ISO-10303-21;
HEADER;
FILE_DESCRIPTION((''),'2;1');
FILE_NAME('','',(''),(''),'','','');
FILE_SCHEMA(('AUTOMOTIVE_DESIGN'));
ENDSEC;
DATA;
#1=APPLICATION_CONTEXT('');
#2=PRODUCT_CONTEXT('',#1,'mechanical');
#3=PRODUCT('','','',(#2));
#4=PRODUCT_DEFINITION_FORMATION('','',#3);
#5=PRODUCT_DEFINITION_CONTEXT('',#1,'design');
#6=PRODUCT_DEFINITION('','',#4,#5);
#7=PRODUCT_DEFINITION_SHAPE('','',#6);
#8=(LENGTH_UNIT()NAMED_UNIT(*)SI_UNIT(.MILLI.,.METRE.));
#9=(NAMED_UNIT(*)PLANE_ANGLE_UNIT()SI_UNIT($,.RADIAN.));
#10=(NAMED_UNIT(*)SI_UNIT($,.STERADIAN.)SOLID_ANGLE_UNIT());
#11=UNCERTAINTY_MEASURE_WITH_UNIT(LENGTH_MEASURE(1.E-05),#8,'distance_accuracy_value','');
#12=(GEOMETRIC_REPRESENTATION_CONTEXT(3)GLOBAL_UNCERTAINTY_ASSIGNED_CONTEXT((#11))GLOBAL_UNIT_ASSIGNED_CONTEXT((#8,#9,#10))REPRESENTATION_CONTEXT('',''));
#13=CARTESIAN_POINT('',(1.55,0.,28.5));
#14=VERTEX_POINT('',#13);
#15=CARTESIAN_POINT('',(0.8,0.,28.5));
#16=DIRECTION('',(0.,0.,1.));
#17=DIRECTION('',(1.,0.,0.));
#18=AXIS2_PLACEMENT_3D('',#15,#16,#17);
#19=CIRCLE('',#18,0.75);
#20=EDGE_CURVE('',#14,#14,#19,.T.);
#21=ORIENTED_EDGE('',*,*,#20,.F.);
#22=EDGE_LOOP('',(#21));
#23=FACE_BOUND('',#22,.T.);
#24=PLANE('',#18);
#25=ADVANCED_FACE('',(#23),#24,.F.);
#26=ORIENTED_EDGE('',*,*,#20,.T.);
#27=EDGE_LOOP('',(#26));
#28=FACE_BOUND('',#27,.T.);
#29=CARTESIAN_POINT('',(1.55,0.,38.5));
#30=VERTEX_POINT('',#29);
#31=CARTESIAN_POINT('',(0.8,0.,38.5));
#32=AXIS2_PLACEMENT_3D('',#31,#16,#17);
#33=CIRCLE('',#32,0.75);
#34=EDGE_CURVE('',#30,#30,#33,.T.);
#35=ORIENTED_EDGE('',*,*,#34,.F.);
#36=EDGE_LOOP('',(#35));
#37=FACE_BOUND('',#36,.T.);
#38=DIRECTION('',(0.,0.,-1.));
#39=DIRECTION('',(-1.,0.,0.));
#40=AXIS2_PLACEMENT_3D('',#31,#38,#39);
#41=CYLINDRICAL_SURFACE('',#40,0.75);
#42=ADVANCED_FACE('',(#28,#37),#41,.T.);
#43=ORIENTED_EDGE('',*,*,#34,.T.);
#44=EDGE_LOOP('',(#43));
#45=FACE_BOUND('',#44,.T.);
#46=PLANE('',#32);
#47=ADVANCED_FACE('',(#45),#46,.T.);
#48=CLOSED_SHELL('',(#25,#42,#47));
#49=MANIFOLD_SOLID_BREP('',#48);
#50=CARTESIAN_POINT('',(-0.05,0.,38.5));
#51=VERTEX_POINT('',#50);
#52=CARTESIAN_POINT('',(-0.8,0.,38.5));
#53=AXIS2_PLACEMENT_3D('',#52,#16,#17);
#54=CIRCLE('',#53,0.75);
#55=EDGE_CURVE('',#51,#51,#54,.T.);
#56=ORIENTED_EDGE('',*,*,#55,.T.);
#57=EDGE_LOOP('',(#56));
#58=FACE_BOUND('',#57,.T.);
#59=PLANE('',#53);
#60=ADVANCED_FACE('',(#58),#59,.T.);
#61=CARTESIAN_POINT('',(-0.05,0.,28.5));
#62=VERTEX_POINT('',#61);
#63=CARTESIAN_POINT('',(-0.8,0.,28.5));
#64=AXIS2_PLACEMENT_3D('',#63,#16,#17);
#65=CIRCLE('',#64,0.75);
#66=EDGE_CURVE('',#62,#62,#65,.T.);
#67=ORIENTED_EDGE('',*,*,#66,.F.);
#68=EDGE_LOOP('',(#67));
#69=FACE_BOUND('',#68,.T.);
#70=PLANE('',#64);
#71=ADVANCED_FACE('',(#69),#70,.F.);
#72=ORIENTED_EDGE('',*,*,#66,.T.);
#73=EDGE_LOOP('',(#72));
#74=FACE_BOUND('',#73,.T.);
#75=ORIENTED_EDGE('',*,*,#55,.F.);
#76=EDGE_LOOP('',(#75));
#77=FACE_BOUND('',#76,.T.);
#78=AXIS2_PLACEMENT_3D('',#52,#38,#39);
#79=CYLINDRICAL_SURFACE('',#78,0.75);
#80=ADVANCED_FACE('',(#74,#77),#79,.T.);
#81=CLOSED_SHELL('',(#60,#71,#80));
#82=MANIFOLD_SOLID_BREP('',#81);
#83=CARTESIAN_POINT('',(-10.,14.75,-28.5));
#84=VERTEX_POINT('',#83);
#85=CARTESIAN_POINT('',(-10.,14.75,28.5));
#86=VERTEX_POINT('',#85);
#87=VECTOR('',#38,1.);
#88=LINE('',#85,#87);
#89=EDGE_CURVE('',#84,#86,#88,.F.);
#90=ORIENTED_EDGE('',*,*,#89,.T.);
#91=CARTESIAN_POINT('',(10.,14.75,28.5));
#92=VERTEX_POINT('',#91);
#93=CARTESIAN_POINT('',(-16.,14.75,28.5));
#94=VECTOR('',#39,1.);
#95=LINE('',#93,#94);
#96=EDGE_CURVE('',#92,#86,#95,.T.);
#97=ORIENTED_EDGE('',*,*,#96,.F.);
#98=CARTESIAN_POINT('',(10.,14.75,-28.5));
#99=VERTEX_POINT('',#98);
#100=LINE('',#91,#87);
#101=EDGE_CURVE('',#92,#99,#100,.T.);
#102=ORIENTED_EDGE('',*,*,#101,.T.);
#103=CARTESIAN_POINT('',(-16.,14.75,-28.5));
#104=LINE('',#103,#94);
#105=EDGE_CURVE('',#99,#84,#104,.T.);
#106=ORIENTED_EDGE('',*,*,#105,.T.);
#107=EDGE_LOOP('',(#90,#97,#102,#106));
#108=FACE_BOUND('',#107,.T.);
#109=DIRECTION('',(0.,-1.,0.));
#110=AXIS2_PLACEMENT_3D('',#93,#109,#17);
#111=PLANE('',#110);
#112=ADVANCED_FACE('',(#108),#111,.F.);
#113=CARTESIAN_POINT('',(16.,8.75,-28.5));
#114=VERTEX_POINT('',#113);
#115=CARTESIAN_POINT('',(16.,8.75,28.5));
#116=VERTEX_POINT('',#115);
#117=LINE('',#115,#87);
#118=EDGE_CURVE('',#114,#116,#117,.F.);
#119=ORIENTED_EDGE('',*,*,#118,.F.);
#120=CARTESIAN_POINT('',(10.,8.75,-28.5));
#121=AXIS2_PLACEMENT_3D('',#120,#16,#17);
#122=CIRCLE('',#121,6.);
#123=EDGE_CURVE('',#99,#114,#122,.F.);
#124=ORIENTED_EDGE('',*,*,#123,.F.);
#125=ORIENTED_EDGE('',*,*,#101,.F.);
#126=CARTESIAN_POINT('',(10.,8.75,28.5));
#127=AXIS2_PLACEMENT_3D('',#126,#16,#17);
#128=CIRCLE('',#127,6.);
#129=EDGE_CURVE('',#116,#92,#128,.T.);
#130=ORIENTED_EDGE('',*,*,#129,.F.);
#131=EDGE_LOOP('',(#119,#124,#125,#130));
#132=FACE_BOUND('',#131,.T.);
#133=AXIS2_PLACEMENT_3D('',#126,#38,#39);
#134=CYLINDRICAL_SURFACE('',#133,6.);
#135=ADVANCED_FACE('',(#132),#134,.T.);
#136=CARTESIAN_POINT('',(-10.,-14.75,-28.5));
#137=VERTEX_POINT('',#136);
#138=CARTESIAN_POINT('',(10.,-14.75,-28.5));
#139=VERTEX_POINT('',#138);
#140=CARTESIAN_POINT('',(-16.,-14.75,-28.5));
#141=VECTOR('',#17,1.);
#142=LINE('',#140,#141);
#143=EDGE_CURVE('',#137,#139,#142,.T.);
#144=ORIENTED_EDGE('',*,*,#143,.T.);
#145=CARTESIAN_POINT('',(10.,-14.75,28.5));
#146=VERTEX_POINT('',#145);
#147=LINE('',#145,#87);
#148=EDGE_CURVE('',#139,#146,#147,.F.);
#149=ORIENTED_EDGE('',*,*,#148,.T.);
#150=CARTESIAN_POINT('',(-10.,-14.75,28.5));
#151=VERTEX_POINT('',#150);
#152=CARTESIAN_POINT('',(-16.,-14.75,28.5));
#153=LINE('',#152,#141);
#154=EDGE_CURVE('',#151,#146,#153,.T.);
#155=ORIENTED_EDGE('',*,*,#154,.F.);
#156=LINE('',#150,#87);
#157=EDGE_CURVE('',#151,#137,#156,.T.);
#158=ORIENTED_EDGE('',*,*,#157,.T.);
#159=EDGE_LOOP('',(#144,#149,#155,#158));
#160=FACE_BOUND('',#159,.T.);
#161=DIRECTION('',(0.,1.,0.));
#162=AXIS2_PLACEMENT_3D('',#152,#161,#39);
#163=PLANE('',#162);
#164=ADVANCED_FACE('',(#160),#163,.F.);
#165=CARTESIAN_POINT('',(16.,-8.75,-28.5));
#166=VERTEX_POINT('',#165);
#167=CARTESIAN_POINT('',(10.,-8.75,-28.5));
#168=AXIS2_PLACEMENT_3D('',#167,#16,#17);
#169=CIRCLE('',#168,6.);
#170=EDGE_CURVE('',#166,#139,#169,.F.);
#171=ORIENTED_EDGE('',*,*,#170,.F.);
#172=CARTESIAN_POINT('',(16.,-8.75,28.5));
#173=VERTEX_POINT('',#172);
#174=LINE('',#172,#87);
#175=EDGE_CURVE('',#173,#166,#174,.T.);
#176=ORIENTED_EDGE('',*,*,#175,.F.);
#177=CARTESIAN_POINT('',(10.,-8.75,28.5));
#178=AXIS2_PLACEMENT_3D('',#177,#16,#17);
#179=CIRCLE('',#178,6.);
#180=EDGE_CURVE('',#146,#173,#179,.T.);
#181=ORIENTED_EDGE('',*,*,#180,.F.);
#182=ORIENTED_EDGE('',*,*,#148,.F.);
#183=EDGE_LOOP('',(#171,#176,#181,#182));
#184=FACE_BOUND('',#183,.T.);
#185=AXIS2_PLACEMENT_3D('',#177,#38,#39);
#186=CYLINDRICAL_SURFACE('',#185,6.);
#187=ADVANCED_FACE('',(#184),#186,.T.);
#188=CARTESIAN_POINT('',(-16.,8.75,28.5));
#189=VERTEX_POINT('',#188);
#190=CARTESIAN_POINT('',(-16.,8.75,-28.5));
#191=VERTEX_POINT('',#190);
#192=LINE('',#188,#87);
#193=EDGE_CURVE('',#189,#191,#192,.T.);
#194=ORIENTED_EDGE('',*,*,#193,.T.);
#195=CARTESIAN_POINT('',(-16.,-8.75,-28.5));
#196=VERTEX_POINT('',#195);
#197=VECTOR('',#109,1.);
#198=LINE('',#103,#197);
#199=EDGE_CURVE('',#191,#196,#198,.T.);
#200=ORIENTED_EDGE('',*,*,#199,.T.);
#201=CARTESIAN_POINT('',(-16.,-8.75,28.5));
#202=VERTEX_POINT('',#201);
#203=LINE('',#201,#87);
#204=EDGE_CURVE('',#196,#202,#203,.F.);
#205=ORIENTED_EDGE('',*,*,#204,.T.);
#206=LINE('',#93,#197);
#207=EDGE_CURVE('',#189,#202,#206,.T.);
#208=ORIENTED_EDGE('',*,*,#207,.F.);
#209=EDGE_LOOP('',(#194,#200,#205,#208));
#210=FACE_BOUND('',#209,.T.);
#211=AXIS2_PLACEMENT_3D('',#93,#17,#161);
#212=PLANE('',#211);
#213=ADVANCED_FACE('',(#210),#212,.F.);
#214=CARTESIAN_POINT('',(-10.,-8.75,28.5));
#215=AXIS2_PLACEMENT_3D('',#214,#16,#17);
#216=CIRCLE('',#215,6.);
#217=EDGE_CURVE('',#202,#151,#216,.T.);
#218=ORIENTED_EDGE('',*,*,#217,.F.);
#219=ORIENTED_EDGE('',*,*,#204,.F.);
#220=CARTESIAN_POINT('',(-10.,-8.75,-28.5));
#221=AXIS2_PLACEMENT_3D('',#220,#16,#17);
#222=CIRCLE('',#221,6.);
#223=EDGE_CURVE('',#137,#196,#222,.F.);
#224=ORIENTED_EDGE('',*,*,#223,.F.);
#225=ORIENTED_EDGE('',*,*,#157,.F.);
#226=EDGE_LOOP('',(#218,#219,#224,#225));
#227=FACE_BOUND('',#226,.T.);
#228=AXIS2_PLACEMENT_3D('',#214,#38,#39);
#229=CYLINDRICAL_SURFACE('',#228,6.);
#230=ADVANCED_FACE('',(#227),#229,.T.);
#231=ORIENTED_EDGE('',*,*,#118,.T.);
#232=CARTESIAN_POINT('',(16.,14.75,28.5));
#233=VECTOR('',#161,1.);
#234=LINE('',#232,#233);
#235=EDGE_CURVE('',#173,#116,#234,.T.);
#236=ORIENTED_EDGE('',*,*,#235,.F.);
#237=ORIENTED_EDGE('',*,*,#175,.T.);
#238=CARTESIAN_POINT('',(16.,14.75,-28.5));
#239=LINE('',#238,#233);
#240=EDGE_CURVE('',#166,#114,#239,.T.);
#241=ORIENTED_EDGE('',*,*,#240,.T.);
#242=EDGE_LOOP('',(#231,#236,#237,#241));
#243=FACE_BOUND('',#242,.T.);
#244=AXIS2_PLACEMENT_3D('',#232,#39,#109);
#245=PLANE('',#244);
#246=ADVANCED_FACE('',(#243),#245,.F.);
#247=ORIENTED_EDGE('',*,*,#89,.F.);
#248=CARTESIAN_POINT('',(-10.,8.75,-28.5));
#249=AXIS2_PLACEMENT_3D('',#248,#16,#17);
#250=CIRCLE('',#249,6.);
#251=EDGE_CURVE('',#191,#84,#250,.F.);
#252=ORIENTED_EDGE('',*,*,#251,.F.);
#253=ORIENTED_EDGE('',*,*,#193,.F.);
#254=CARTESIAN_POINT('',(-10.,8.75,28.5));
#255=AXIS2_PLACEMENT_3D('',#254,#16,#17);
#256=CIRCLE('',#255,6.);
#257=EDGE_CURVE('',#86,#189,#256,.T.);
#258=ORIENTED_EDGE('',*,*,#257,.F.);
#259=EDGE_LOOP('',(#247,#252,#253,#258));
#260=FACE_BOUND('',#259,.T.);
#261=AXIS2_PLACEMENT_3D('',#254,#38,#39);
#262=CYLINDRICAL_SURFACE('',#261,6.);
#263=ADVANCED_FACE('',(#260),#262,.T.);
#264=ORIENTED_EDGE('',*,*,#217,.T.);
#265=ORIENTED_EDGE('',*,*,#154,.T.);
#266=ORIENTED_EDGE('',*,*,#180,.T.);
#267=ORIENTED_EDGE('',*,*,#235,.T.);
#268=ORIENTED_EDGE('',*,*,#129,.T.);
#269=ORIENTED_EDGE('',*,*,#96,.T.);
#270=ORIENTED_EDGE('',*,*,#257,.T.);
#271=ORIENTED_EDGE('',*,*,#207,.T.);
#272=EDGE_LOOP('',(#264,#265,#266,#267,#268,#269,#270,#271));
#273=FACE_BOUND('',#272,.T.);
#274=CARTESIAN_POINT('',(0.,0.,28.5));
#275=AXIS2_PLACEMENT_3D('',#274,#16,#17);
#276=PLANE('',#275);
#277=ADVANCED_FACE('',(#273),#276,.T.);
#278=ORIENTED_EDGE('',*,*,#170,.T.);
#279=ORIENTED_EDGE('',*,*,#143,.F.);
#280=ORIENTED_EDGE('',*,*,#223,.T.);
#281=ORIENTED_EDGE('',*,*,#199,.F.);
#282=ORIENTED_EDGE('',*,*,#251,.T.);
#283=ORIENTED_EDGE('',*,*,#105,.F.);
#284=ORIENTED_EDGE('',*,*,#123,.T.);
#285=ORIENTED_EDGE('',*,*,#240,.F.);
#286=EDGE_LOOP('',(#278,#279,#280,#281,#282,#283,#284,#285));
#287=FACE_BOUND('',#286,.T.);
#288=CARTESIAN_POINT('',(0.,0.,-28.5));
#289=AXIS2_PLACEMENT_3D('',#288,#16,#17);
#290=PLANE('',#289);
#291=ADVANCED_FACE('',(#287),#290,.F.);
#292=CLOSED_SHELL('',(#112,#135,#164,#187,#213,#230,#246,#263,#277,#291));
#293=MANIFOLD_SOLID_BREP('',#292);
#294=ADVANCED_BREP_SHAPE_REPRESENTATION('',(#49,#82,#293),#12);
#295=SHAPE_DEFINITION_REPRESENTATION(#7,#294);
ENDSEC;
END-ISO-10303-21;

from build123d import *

# Parameters (mm, degrees)
ESQUISSE1_W          = 32
ESQUISSE1_H          = 29.5
BOSS_EXTRU_1_DEPTH   = 28.5
CONG_1_R             = 6
ESQUISSE2_R          = 0.75
BOSS_EXTRU_2_DEPTH   = 10
BOSS_EXTRU_2_2_DEPTH = 10


with BuildPart() as part:
    # Esquisse1 → Boss.-Extru.1 (new, symmetric)
    with BuildSketch(Plane.XY):
        Rectangle(ESQUISSE1_W, ESQUISSE1_H)
    extrude(amount=BOSS_EXTRU_1_DEPTH, both=True)

    # Congé1
    cong_1_edges = [part.edges().sort_by_distance(p)[0] for p in [
        (-16, 14.75, 0),
        (16, 14.75, 0),
        (16, -14.75, 0),
        (-16, -14.75, 0),
    ]]
    fillet(cong_1_edges, radius=CONG_1_R)


with BuildPart() as body_2:
    # Esquisse2 → Boss.-Extru.2 (new body)
    with BuildSketch(Plane.XY.offset(28.5)):
        with Locations((-0.8, 0)):
            Circle(ESQUISSE2_R)
    extrude(amount=BOSS_EXTRU_2_DEPTH)


with BuildPart() as body_3:
    # Esquisse2 → Boss.-Extru.2 2 (new body)
    with BuildSketch(Plane.XY.offset(28.5)):
        with Locations((0.8, 0)):
            Circle(ESQUISSE2_R)
    extrude(amount=BOSS_EXTRU_2_2_DEPTH)


solid = Compound([part.part, body_2.part, body_3.part])
